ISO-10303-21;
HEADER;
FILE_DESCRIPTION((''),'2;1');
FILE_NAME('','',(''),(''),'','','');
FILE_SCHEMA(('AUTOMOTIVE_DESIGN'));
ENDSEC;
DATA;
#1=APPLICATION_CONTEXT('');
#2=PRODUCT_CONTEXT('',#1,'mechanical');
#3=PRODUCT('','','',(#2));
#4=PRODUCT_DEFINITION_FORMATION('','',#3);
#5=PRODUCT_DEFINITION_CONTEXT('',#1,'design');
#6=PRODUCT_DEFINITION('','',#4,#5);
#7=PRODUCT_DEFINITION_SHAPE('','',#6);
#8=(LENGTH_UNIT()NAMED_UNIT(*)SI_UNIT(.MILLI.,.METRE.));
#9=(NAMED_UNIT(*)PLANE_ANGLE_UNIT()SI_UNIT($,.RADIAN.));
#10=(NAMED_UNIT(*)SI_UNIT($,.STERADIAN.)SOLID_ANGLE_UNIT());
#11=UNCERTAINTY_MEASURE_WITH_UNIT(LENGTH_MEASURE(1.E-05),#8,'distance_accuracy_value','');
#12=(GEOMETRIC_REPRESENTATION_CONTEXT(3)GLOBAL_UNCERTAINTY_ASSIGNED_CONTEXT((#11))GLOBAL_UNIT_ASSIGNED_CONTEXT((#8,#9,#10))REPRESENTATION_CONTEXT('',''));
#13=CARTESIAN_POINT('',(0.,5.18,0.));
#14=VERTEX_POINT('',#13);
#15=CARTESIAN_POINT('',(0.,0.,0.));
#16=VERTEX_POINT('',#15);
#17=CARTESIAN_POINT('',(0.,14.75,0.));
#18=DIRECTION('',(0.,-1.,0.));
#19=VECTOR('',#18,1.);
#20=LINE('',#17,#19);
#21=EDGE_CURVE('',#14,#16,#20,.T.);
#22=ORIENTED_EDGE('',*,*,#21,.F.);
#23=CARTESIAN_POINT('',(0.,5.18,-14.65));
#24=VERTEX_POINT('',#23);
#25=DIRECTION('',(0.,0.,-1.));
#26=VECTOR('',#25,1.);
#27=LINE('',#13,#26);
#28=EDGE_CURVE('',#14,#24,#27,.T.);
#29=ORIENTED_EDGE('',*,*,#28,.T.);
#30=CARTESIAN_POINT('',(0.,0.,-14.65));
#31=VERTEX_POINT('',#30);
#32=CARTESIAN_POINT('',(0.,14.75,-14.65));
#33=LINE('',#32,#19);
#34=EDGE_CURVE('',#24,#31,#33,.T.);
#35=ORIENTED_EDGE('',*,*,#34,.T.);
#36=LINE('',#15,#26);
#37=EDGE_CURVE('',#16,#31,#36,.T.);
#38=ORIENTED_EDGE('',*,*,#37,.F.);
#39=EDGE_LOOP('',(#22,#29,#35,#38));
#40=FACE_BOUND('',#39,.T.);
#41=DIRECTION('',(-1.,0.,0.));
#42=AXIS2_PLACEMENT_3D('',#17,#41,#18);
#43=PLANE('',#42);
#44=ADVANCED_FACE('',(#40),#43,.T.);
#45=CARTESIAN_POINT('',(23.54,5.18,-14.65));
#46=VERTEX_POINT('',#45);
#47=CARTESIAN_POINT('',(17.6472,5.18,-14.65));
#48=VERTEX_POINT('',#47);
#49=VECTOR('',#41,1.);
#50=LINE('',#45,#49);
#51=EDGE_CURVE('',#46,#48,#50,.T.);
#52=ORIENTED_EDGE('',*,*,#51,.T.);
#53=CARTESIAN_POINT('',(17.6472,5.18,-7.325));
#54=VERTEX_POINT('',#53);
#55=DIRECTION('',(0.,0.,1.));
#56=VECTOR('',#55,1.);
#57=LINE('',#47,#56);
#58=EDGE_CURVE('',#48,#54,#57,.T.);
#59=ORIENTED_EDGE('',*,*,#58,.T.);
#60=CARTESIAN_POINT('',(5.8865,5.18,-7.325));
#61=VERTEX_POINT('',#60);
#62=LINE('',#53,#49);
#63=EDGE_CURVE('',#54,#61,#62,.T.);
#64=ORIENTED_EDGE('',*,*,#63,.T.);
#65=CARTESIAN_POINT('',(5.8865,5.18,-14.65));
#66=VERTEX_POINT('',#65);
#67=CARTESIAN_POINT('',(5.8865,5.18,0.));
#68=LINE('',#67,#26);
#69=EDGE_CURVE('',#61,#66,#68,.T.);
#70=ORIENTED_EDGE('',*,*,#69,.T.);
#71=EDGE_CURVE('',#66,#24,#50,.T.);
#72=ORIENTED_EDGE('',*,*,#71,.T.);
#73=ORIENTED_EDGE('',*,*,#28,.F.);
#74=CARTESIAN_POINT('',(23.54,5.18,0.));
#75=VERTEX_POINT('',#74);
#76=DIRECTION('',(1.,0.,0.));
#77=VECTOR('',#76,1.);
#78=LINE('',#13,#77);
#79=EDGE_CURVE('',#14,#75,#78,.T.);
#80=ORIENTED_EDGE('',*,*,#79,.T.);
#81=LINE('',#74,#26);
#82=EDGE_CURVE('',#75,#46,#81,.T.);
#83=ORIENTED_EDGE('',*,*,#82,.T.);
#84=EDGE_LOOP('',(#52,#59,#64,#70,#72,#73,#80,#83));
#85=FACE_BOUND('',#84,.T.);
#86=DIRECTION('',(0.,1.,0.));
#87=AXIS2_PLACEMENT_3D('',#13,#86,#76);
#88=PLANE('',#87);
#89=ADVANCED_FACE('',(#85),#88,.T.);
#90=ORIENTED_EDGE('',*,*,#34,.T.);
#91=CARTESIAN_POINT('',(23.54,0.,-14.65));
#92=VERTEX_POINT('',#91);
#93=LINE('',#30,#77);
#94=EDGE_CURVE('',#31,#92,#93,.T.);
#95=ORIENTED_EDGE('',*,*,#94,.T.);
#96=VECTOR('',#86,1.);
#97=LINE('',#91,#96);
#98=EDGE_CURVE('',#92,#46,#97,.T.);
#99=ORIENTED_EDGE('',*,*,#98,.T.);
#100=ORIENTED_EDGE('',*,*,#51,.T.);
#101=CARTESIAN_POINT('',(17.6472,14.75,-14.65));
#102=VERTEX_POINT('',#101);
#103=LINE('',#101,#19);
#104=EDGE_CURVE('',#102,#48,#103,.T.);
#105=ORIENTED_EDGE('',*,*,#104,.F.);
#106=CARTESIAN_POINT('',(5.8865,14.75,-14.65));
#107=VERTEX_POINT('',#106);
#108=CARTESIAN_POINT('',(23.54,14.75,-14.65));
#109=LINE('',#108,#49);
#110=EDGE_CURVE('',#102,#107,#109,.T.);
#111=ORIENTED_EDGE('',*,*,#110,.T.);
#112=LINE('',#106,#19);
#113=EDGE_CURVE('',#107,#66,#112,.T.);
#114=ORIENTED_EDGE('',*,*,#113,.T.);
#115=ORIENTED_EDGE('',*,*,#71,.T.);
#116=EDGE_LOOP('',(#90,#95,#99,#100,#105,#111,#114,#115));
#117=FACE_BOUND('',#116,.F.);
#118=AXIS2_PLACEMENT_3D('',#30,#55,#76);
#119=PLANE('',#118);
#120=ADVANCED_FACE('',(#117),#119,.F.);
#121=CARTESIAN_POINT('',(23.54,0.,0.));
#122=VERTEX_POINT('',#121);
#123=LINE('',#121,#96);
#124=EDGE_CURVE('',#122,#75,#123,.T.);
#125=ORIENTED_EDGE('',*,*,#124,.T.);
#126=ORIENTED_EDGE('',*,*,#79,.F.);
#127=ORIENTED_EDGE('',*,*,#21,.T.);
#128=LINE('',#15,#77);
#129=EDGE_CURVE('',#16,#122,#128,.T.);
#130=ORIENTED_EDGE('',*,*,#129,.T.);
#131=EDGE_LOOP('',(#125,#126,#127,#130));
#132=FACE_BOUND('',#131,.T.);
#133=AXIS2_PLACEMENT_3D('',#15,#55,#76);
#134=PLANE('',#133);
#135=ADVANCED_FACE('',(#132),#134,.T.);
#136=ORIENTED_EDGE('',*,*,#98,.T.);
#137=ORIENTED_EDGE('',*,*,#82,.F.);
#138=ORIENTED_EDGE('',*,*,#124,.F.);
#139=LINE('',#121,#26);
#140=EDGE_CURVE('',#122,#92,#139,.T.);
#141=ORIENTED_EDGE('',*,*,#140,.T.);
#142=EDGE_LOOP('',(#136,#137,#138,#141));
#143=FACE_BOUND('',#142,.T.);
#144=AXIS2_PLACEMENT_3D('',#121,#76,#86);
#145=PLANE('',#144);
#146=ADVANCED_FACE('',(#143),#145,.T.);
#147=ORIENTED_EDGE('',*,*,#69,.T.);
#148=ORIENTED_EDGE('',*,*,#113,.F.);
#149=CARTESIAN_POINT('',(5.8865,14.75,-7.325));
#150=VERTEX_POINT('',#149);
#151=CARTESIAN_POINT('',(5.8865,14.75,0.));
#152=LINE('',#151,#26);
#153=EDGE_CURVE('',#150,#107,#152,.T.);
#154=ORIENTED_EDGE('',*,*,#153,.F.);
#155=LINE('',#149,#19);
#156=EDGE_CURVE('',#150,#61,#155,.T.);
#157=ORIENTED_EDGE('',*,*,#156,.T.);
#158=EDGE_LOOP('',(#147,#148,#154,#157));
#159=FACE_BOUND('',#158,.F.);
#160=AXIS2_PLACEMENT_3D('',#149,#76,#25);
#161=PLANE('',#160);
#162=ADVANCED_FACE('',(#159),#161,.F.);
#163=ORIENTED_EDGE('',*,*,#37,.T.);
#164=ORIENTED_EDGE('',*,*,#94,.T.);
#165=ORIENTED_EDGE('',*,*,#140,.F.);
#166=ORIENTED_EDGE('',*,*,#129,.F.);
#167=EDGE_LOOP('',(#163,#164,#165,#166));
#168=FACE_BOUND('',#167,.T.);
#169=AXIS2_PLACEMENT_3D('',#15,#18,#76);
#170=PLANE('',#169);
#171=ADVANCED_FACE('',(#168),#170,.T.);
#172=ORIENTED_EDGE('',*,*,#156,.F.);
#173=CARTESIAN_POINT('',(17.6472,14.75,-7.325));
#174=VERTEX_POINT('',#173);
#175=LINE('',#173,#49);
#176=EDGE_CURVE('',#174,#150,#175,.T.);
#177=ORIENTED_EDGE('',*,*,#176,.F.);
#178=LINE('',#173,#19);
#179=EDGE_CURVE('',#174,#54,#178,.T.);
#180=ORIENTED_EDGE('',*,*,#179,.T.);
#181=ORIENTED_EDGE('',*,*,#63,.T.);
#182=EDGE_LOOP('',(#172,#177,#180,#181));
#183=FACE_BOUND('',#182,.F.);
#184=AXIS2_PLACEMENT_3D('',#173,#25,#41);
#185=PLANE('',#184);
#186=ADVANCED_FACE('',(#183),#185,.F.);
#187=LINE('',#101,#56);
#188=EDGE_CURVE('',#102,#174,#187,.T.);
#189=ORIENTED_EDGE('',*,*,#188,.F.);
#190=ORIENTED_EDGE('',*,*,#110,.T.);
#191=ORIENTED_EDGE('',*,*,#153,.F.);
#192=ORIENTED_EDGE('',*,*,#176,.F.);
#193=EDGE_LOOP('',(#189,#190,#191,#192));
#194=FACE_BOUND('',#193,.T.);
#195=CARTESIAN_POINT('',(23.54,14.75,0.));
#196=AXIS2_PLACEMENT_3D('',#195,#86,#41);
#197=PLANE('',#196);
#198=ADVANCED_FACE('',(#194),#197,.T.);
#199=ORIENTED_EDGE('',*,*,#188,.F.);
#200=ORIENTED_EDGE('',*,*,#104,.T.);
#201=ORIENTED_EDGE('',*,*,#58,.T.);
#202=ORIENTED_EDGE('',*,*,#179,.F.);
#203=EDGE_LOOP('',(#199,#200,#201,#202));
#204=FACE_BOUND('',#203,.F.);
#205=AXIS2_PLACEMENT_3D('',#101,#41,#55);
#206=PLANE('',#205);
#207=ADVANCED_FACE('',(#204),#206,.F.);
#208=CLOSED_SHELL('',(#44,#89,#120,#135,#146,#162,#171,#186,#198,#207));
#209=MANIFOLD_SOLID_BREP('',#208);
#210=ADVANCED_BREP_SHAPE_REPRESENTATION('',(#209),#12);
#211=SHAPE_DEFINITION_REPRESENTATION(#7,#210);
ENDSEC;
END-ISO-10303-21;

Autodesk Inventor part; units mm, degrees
ref_plane "YZ Plane" through (0, 0, 0) normal (1, 0, 0) x (0, 1, 0)
ref_plane "XZ Plane" through (0, 0, 0) normal (0, 1, 0) x (-1, 0, 0)
ref_plane "XY Plane" through (0, 0, 0) normal (0, 0, 1) x (1, 0, 0)
sketch "Sketch1" plane through (0, 0, 0) normal (0, 0, 1) x (1, 0, 0)
  line L0 (0, 0) -> (23.54, 0)
  line L1 (23.54, 0) -> (23.54, 14.75)
  line L2 (23.54, 14.75) -> (0, 14.75)
  line L3 (0, 14.75) -> (0, 0)
  dimension "d0" = 23.54
  dimension "d1" = 14.75
extrude "Extrusion1" add sketch "Sketch1" against normal blind 14.65
sketch "Sketch2" plane through (0, 14.75, 0) normal (0, 1, 0) x (1, 0, 0)
  line L0 (23.54, 0) -> (0, 0) projected
  line L1 (0, 0) -> (0, 14.65) projected
  line L2 (23.54, 14.65) -> (0, 14.65) projected
  line L3 (0, 0) -> (5.8865, 0)
  line L4 (5.8865, 0) -> (5.8865, 14.65)
  line L5 (5.8865, 14.65) -> (0, 14.65)
  line L6 (0, 14.65) -> (0, 0)
  line L7 (23.54, 14.65) -> (17.6472, 14.65)
  line L8 (17.6472, 14.65) -> (17.6472, 0)
  line L9 (17.6472, 0) -> (23.54, 0)
  line L10 (23.54, 0) -> (23.54, 14.65)
  line L11 (5.8865, 0) -> (17.6472, 0)
  line L12 (17.6472, 0) -> (17.6472, 7.325)
  line L13 (17.6472, 7.325) -> (5.8865, 7.325)
  line L14 (5.8865, 7.325) -> (5.8865, 0)
  dimension "d4" = 5.8864
  dimension "d5" = 5.8928
extrude "Extrusion2" cut sketch "Sketch2" against normal blind 9.57 contours L0 L8 L2 L10 | L0 L4 L13 L8 | L0 L1 L2 L4
properties part number "BOB-10031 USB Micro B Breakout"
